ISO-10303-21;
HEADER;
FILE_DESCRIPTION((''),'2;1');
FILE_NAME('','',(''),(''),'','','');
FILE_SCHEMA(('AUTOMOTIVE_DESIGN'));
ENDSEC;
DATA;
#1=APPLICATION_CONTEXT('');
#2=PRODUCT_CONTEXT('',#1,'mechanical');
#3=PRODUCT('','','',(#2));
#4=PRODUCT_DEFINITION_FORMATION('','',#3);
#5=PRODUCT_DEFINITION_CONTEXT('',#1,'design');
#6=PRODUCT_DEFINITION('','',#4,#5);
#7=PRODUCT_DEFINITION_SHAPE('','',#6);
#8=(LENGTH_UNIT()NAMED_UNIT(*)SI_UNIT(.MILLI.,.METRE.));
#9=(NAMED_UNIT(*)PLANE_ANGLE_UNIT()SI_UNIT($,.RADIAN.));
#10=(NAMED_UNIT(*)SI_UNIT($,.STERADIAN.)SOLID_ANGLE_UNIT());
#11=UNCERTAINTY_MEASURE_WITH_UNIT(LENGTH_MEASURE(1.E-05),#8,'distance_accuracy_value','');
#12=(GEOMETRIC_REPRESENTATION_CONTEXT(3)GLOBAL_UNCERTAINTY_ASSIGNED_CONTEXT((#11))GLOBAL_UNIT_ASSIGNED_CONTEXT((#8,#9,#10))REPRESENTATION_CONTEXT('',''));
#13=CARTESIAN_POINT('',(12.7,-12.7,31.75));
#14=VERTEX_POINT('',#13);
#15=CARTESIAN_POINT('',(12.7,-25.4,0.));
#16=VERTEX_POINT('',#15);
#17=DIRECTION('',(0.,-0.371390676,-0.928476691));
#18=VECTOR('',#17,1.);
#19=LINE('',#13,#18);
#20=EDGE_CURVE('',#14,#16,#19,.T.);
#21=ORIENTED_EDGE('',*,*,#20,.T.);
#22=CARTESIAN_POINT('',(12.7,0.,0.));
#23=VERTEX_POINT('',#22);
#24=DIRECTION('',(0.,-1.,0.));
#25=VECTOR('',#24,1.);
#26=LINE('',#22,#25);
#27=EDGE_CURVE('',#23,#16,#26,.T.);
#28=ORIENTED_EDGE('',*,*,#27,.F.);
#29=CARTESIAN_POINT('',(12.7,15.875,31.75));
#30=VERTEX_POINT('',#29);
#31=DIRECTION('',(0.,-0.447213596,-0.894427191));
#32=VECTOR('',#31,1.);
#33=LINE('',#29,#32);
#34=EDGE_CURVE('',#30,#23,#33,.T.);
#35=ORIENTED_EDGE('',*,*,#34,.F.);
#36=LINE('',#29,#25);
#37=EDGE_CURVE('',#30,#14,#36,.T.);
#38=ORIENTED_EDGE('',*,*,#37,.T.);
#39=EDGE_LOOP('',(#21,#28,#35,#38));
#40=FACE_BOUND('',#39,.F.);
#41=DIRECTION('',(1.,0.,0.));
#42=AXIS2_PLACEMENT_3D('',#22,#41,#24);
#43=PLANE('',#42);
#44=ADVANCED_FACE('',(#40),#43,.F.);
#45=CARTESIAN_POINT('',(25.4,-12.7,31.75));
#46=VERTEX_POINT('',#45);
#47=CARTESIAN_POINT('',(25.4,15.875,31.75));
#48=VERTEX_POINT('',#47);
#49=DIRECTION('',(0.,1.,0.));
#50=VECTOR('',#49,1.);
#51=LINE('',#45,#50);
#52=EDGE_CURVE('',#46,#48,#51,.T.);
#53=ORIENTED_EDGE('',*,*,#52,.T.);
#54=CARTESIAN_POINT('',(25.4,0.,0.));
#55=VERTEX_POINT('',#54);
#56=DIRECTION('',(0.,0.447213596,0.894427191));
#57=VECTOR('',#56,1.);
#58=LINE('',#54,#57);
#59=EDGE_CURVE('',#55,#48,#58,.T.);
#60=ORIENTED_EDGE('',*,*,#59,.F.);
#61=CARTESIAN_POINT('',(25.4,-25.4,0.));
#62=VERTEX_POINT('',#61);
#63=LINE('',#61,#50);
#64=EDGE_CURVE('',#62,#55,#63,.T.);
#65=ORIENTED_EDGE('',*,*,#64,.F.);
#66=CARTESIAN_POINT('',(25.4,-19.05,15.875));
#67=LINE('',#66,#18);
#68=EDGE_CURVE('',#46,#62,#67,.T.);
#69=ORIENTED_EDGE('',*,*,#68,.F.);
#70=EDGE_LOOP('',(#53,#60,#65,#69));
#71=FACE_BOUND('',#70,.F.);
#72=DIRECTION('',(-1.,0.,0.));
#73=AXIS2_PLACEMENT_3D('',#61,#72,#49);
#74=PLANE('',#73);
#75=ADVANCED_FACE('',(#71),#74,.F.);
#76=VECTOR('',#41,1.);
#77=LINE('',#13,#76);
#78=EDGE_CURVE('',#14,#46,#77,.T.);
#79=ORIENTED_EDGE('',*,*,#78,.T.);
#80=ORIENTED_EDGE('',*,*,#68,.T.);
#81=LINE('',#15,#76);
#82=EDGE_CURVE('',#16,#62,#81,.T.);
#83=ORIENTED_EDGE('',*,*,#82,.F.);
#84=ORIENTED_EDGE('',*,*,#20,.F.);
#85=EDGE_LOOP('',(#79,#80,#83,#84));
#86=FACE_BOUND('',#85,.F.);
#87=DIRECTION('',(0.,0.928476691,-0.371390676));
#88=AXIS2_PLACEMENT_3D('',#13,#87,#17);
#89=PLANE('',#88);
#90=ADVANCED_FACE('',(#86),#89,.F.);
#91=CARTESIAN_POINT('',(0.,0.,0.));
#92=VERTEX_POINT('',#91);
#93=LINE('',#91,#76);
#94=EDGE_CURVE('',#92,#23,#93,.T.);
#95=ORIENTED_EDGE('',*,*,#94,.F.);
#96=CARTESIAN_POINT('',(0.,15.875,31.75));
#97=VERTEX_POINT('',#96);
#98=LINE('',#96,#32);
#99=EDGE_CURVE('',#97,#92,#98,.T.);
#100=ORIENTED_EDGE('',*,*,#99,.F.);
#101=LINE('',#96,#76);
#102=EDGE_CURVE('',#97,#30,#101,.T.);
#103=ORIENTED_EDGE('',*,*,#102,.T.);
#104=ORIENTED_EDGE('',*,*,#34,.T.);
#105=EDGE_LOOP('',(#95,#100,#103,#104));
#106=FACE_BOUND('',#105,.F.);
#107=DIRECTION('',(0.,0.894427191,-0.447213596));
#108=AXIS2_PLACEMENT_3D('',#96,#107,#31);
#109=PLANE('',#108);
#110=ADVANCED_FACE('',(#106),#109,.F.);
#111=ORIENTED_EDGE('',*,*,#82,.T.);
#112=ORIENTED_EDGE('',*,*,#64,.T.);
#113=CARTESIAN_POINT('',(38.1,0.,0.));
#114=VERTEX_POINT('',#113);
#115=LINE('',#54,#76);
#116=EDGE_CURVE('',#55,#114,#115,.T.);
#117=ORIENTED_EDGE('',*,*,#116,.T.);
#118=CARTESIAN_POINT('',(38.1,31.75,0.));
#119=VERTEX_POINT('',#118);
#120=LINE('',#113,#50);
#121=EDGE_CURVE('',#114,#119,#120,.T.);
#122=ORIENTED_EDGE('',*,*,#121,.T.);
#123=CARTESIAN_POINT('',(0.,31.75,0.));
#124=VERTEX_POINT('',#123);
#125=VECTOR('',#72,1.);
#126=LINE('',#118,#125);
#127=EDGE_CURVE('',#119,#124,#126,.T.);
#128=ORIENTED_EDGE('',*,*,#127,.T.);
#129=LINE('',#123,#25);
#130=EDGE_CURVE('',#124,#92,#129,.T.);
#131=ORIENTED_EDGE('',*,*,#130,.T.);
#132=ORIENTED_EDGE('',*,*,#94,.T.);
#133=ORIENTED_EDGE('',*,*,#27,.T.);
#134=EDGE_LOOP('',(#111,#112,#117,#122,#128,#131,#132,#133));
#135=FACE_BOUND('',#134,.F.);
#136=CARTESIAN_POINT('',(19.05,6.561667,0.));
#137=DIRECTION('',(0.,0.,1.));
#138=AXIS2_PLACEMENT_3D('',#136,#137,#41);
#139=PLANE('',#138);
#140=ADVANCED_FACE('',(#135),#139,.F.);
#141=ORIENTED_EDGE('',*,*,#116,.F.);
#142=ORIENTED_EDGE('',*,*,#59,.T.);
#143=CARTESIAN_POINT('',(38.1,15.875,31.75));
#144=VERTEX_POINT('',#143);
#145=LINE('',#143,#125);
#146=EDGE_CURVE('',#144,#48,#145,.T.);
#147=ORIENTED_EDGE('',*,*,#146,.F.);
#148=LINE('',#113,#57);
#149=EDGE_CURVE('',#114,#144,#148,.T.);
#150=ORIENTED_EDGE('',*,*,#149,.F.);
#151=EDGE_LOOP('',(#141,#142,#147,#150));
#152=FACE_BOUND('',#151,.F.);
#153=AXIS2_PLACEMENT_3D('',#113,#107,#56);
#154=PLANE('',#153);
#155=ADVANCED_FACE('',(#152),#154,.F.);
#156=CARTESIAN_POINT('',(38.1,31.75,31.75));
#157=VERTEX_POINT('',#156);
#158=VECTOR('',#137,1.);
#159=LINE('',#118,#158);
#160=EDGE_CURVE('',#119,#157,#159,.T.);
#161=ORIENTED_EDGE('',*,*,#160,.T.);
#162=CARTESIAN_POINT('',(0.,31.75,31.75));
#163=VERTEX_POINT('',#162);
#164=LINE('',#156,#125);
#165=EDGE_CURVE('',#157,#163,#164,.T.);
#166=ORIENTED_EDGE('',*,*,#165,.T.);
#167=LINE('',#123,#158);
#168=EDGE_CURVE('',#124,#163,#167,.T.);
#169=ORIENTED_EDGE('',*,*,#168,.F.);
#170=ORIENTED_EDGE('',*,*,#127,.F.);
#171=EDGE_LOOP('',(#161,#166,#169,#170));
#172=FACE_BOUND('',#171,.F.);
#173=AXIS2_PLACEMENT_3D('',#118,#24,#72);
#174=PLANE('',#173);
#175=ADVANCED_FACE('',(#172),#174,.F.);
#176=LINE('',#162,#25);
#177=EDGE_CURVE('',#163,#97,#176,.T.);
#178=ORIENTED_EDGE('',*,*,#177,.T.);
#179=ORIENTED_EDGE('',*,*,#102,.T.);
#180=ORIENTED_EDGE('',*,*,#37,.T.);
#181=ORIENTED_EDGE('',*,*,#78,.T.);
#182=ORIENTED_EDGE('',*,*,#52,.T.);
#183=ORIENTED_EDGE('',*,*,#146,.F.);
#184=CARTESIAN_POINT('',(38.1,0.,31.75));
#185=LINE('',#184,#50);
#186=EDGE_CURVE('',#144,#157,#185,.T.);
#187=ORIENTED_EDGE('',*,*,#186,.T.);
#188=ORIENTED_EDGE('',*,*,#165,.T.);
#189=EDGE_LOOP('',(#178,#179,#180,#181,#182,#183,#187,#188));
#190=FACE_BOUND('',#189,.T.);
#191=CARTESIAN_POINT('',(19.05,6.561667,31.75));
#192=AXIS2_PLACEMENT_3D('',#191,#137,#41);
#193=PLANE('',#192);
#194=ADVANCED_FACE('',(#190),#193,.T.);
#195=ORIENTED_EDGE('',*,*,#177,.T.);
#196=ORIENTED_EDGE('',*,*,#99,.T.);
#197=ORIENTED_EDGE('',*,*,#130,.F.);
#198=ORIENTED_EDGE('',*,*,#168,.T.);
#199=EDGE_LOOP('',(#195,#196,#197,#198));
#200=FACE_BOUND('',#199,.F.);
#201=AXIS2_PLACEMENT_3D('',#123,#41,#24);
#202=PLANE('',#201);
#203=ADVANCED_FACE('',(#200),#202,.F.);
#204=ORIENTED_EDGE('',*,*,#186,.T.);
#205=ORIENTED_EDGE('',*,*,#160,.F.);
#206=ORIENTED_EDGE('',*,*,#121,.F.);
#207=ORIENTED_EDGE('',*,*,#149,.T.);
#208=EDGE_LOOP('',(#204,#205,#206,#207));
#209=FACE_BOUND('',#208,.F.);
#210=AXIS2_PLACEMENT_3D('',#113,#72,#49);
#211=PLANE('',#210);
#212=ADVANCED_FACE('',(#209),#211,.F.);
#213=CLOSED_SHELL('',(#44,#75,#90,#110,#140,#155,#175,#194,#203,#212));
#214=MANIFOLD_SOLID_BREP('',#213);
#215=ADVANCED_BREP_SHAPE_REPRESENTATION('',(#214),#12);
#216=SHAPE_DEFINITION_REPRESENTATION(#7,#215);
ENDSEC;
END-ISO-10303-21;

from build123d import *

# Parameters (mm, degrees)
F1_DEPTH = 31.75
F3_DEPTH = 25.4
F5_DEPTH = 12.7
F7_DEPTH = 12.7


with BuildPart() as f1:
    # F0 (on Top) → F1 (new body)
    with BuildSketch(Plane.XY):
        Polygon((0, 31.75), (0, 0), (12.7, 0), (12.7, -25.4), (25.4, -25.4), (25.4, 0), (38.1, 0), (38.1, 31.75), align=None)
    extrude(amount=F1_DEPTH)

    # F2 (on face) → F3 (cut)
    with BuildSketch(Plane(origin=(12.7, 0, 0), x_dir=(0, -1, 0), z_dir=(-1, 0, 0))):
        Polygon((25.4, 31.75), (12.7, 31.75), (25.4, 0), align=None)
    extrude(amount=-F3_DEPTH, mode=Mode.SUBTRACT)

    # F4 (on face) → F5 (cut)
    with BuildSketch(Plane(origin=(0, 0, 0), x_dir=(0, -1, 0), z_dir=(-1, 0, 0))):
        Polygon((0, 31.75), (-15.875, 31.75), (0, 0), align=None)
    extrude(amount=-F5_DEPTH, mode=Mode.SUBTRACT)

    # F6 (on face) → F7 (cut)
    with BuildSketch(Plane.YZ.offset(38.1)):
        Polygon((0, 0), (15.875, 31.75), (0, 31.75), align=None)
    extrude(amount=-F7_DEPTH, mode=Mode.SUBTRACT)


solid = f1.part
